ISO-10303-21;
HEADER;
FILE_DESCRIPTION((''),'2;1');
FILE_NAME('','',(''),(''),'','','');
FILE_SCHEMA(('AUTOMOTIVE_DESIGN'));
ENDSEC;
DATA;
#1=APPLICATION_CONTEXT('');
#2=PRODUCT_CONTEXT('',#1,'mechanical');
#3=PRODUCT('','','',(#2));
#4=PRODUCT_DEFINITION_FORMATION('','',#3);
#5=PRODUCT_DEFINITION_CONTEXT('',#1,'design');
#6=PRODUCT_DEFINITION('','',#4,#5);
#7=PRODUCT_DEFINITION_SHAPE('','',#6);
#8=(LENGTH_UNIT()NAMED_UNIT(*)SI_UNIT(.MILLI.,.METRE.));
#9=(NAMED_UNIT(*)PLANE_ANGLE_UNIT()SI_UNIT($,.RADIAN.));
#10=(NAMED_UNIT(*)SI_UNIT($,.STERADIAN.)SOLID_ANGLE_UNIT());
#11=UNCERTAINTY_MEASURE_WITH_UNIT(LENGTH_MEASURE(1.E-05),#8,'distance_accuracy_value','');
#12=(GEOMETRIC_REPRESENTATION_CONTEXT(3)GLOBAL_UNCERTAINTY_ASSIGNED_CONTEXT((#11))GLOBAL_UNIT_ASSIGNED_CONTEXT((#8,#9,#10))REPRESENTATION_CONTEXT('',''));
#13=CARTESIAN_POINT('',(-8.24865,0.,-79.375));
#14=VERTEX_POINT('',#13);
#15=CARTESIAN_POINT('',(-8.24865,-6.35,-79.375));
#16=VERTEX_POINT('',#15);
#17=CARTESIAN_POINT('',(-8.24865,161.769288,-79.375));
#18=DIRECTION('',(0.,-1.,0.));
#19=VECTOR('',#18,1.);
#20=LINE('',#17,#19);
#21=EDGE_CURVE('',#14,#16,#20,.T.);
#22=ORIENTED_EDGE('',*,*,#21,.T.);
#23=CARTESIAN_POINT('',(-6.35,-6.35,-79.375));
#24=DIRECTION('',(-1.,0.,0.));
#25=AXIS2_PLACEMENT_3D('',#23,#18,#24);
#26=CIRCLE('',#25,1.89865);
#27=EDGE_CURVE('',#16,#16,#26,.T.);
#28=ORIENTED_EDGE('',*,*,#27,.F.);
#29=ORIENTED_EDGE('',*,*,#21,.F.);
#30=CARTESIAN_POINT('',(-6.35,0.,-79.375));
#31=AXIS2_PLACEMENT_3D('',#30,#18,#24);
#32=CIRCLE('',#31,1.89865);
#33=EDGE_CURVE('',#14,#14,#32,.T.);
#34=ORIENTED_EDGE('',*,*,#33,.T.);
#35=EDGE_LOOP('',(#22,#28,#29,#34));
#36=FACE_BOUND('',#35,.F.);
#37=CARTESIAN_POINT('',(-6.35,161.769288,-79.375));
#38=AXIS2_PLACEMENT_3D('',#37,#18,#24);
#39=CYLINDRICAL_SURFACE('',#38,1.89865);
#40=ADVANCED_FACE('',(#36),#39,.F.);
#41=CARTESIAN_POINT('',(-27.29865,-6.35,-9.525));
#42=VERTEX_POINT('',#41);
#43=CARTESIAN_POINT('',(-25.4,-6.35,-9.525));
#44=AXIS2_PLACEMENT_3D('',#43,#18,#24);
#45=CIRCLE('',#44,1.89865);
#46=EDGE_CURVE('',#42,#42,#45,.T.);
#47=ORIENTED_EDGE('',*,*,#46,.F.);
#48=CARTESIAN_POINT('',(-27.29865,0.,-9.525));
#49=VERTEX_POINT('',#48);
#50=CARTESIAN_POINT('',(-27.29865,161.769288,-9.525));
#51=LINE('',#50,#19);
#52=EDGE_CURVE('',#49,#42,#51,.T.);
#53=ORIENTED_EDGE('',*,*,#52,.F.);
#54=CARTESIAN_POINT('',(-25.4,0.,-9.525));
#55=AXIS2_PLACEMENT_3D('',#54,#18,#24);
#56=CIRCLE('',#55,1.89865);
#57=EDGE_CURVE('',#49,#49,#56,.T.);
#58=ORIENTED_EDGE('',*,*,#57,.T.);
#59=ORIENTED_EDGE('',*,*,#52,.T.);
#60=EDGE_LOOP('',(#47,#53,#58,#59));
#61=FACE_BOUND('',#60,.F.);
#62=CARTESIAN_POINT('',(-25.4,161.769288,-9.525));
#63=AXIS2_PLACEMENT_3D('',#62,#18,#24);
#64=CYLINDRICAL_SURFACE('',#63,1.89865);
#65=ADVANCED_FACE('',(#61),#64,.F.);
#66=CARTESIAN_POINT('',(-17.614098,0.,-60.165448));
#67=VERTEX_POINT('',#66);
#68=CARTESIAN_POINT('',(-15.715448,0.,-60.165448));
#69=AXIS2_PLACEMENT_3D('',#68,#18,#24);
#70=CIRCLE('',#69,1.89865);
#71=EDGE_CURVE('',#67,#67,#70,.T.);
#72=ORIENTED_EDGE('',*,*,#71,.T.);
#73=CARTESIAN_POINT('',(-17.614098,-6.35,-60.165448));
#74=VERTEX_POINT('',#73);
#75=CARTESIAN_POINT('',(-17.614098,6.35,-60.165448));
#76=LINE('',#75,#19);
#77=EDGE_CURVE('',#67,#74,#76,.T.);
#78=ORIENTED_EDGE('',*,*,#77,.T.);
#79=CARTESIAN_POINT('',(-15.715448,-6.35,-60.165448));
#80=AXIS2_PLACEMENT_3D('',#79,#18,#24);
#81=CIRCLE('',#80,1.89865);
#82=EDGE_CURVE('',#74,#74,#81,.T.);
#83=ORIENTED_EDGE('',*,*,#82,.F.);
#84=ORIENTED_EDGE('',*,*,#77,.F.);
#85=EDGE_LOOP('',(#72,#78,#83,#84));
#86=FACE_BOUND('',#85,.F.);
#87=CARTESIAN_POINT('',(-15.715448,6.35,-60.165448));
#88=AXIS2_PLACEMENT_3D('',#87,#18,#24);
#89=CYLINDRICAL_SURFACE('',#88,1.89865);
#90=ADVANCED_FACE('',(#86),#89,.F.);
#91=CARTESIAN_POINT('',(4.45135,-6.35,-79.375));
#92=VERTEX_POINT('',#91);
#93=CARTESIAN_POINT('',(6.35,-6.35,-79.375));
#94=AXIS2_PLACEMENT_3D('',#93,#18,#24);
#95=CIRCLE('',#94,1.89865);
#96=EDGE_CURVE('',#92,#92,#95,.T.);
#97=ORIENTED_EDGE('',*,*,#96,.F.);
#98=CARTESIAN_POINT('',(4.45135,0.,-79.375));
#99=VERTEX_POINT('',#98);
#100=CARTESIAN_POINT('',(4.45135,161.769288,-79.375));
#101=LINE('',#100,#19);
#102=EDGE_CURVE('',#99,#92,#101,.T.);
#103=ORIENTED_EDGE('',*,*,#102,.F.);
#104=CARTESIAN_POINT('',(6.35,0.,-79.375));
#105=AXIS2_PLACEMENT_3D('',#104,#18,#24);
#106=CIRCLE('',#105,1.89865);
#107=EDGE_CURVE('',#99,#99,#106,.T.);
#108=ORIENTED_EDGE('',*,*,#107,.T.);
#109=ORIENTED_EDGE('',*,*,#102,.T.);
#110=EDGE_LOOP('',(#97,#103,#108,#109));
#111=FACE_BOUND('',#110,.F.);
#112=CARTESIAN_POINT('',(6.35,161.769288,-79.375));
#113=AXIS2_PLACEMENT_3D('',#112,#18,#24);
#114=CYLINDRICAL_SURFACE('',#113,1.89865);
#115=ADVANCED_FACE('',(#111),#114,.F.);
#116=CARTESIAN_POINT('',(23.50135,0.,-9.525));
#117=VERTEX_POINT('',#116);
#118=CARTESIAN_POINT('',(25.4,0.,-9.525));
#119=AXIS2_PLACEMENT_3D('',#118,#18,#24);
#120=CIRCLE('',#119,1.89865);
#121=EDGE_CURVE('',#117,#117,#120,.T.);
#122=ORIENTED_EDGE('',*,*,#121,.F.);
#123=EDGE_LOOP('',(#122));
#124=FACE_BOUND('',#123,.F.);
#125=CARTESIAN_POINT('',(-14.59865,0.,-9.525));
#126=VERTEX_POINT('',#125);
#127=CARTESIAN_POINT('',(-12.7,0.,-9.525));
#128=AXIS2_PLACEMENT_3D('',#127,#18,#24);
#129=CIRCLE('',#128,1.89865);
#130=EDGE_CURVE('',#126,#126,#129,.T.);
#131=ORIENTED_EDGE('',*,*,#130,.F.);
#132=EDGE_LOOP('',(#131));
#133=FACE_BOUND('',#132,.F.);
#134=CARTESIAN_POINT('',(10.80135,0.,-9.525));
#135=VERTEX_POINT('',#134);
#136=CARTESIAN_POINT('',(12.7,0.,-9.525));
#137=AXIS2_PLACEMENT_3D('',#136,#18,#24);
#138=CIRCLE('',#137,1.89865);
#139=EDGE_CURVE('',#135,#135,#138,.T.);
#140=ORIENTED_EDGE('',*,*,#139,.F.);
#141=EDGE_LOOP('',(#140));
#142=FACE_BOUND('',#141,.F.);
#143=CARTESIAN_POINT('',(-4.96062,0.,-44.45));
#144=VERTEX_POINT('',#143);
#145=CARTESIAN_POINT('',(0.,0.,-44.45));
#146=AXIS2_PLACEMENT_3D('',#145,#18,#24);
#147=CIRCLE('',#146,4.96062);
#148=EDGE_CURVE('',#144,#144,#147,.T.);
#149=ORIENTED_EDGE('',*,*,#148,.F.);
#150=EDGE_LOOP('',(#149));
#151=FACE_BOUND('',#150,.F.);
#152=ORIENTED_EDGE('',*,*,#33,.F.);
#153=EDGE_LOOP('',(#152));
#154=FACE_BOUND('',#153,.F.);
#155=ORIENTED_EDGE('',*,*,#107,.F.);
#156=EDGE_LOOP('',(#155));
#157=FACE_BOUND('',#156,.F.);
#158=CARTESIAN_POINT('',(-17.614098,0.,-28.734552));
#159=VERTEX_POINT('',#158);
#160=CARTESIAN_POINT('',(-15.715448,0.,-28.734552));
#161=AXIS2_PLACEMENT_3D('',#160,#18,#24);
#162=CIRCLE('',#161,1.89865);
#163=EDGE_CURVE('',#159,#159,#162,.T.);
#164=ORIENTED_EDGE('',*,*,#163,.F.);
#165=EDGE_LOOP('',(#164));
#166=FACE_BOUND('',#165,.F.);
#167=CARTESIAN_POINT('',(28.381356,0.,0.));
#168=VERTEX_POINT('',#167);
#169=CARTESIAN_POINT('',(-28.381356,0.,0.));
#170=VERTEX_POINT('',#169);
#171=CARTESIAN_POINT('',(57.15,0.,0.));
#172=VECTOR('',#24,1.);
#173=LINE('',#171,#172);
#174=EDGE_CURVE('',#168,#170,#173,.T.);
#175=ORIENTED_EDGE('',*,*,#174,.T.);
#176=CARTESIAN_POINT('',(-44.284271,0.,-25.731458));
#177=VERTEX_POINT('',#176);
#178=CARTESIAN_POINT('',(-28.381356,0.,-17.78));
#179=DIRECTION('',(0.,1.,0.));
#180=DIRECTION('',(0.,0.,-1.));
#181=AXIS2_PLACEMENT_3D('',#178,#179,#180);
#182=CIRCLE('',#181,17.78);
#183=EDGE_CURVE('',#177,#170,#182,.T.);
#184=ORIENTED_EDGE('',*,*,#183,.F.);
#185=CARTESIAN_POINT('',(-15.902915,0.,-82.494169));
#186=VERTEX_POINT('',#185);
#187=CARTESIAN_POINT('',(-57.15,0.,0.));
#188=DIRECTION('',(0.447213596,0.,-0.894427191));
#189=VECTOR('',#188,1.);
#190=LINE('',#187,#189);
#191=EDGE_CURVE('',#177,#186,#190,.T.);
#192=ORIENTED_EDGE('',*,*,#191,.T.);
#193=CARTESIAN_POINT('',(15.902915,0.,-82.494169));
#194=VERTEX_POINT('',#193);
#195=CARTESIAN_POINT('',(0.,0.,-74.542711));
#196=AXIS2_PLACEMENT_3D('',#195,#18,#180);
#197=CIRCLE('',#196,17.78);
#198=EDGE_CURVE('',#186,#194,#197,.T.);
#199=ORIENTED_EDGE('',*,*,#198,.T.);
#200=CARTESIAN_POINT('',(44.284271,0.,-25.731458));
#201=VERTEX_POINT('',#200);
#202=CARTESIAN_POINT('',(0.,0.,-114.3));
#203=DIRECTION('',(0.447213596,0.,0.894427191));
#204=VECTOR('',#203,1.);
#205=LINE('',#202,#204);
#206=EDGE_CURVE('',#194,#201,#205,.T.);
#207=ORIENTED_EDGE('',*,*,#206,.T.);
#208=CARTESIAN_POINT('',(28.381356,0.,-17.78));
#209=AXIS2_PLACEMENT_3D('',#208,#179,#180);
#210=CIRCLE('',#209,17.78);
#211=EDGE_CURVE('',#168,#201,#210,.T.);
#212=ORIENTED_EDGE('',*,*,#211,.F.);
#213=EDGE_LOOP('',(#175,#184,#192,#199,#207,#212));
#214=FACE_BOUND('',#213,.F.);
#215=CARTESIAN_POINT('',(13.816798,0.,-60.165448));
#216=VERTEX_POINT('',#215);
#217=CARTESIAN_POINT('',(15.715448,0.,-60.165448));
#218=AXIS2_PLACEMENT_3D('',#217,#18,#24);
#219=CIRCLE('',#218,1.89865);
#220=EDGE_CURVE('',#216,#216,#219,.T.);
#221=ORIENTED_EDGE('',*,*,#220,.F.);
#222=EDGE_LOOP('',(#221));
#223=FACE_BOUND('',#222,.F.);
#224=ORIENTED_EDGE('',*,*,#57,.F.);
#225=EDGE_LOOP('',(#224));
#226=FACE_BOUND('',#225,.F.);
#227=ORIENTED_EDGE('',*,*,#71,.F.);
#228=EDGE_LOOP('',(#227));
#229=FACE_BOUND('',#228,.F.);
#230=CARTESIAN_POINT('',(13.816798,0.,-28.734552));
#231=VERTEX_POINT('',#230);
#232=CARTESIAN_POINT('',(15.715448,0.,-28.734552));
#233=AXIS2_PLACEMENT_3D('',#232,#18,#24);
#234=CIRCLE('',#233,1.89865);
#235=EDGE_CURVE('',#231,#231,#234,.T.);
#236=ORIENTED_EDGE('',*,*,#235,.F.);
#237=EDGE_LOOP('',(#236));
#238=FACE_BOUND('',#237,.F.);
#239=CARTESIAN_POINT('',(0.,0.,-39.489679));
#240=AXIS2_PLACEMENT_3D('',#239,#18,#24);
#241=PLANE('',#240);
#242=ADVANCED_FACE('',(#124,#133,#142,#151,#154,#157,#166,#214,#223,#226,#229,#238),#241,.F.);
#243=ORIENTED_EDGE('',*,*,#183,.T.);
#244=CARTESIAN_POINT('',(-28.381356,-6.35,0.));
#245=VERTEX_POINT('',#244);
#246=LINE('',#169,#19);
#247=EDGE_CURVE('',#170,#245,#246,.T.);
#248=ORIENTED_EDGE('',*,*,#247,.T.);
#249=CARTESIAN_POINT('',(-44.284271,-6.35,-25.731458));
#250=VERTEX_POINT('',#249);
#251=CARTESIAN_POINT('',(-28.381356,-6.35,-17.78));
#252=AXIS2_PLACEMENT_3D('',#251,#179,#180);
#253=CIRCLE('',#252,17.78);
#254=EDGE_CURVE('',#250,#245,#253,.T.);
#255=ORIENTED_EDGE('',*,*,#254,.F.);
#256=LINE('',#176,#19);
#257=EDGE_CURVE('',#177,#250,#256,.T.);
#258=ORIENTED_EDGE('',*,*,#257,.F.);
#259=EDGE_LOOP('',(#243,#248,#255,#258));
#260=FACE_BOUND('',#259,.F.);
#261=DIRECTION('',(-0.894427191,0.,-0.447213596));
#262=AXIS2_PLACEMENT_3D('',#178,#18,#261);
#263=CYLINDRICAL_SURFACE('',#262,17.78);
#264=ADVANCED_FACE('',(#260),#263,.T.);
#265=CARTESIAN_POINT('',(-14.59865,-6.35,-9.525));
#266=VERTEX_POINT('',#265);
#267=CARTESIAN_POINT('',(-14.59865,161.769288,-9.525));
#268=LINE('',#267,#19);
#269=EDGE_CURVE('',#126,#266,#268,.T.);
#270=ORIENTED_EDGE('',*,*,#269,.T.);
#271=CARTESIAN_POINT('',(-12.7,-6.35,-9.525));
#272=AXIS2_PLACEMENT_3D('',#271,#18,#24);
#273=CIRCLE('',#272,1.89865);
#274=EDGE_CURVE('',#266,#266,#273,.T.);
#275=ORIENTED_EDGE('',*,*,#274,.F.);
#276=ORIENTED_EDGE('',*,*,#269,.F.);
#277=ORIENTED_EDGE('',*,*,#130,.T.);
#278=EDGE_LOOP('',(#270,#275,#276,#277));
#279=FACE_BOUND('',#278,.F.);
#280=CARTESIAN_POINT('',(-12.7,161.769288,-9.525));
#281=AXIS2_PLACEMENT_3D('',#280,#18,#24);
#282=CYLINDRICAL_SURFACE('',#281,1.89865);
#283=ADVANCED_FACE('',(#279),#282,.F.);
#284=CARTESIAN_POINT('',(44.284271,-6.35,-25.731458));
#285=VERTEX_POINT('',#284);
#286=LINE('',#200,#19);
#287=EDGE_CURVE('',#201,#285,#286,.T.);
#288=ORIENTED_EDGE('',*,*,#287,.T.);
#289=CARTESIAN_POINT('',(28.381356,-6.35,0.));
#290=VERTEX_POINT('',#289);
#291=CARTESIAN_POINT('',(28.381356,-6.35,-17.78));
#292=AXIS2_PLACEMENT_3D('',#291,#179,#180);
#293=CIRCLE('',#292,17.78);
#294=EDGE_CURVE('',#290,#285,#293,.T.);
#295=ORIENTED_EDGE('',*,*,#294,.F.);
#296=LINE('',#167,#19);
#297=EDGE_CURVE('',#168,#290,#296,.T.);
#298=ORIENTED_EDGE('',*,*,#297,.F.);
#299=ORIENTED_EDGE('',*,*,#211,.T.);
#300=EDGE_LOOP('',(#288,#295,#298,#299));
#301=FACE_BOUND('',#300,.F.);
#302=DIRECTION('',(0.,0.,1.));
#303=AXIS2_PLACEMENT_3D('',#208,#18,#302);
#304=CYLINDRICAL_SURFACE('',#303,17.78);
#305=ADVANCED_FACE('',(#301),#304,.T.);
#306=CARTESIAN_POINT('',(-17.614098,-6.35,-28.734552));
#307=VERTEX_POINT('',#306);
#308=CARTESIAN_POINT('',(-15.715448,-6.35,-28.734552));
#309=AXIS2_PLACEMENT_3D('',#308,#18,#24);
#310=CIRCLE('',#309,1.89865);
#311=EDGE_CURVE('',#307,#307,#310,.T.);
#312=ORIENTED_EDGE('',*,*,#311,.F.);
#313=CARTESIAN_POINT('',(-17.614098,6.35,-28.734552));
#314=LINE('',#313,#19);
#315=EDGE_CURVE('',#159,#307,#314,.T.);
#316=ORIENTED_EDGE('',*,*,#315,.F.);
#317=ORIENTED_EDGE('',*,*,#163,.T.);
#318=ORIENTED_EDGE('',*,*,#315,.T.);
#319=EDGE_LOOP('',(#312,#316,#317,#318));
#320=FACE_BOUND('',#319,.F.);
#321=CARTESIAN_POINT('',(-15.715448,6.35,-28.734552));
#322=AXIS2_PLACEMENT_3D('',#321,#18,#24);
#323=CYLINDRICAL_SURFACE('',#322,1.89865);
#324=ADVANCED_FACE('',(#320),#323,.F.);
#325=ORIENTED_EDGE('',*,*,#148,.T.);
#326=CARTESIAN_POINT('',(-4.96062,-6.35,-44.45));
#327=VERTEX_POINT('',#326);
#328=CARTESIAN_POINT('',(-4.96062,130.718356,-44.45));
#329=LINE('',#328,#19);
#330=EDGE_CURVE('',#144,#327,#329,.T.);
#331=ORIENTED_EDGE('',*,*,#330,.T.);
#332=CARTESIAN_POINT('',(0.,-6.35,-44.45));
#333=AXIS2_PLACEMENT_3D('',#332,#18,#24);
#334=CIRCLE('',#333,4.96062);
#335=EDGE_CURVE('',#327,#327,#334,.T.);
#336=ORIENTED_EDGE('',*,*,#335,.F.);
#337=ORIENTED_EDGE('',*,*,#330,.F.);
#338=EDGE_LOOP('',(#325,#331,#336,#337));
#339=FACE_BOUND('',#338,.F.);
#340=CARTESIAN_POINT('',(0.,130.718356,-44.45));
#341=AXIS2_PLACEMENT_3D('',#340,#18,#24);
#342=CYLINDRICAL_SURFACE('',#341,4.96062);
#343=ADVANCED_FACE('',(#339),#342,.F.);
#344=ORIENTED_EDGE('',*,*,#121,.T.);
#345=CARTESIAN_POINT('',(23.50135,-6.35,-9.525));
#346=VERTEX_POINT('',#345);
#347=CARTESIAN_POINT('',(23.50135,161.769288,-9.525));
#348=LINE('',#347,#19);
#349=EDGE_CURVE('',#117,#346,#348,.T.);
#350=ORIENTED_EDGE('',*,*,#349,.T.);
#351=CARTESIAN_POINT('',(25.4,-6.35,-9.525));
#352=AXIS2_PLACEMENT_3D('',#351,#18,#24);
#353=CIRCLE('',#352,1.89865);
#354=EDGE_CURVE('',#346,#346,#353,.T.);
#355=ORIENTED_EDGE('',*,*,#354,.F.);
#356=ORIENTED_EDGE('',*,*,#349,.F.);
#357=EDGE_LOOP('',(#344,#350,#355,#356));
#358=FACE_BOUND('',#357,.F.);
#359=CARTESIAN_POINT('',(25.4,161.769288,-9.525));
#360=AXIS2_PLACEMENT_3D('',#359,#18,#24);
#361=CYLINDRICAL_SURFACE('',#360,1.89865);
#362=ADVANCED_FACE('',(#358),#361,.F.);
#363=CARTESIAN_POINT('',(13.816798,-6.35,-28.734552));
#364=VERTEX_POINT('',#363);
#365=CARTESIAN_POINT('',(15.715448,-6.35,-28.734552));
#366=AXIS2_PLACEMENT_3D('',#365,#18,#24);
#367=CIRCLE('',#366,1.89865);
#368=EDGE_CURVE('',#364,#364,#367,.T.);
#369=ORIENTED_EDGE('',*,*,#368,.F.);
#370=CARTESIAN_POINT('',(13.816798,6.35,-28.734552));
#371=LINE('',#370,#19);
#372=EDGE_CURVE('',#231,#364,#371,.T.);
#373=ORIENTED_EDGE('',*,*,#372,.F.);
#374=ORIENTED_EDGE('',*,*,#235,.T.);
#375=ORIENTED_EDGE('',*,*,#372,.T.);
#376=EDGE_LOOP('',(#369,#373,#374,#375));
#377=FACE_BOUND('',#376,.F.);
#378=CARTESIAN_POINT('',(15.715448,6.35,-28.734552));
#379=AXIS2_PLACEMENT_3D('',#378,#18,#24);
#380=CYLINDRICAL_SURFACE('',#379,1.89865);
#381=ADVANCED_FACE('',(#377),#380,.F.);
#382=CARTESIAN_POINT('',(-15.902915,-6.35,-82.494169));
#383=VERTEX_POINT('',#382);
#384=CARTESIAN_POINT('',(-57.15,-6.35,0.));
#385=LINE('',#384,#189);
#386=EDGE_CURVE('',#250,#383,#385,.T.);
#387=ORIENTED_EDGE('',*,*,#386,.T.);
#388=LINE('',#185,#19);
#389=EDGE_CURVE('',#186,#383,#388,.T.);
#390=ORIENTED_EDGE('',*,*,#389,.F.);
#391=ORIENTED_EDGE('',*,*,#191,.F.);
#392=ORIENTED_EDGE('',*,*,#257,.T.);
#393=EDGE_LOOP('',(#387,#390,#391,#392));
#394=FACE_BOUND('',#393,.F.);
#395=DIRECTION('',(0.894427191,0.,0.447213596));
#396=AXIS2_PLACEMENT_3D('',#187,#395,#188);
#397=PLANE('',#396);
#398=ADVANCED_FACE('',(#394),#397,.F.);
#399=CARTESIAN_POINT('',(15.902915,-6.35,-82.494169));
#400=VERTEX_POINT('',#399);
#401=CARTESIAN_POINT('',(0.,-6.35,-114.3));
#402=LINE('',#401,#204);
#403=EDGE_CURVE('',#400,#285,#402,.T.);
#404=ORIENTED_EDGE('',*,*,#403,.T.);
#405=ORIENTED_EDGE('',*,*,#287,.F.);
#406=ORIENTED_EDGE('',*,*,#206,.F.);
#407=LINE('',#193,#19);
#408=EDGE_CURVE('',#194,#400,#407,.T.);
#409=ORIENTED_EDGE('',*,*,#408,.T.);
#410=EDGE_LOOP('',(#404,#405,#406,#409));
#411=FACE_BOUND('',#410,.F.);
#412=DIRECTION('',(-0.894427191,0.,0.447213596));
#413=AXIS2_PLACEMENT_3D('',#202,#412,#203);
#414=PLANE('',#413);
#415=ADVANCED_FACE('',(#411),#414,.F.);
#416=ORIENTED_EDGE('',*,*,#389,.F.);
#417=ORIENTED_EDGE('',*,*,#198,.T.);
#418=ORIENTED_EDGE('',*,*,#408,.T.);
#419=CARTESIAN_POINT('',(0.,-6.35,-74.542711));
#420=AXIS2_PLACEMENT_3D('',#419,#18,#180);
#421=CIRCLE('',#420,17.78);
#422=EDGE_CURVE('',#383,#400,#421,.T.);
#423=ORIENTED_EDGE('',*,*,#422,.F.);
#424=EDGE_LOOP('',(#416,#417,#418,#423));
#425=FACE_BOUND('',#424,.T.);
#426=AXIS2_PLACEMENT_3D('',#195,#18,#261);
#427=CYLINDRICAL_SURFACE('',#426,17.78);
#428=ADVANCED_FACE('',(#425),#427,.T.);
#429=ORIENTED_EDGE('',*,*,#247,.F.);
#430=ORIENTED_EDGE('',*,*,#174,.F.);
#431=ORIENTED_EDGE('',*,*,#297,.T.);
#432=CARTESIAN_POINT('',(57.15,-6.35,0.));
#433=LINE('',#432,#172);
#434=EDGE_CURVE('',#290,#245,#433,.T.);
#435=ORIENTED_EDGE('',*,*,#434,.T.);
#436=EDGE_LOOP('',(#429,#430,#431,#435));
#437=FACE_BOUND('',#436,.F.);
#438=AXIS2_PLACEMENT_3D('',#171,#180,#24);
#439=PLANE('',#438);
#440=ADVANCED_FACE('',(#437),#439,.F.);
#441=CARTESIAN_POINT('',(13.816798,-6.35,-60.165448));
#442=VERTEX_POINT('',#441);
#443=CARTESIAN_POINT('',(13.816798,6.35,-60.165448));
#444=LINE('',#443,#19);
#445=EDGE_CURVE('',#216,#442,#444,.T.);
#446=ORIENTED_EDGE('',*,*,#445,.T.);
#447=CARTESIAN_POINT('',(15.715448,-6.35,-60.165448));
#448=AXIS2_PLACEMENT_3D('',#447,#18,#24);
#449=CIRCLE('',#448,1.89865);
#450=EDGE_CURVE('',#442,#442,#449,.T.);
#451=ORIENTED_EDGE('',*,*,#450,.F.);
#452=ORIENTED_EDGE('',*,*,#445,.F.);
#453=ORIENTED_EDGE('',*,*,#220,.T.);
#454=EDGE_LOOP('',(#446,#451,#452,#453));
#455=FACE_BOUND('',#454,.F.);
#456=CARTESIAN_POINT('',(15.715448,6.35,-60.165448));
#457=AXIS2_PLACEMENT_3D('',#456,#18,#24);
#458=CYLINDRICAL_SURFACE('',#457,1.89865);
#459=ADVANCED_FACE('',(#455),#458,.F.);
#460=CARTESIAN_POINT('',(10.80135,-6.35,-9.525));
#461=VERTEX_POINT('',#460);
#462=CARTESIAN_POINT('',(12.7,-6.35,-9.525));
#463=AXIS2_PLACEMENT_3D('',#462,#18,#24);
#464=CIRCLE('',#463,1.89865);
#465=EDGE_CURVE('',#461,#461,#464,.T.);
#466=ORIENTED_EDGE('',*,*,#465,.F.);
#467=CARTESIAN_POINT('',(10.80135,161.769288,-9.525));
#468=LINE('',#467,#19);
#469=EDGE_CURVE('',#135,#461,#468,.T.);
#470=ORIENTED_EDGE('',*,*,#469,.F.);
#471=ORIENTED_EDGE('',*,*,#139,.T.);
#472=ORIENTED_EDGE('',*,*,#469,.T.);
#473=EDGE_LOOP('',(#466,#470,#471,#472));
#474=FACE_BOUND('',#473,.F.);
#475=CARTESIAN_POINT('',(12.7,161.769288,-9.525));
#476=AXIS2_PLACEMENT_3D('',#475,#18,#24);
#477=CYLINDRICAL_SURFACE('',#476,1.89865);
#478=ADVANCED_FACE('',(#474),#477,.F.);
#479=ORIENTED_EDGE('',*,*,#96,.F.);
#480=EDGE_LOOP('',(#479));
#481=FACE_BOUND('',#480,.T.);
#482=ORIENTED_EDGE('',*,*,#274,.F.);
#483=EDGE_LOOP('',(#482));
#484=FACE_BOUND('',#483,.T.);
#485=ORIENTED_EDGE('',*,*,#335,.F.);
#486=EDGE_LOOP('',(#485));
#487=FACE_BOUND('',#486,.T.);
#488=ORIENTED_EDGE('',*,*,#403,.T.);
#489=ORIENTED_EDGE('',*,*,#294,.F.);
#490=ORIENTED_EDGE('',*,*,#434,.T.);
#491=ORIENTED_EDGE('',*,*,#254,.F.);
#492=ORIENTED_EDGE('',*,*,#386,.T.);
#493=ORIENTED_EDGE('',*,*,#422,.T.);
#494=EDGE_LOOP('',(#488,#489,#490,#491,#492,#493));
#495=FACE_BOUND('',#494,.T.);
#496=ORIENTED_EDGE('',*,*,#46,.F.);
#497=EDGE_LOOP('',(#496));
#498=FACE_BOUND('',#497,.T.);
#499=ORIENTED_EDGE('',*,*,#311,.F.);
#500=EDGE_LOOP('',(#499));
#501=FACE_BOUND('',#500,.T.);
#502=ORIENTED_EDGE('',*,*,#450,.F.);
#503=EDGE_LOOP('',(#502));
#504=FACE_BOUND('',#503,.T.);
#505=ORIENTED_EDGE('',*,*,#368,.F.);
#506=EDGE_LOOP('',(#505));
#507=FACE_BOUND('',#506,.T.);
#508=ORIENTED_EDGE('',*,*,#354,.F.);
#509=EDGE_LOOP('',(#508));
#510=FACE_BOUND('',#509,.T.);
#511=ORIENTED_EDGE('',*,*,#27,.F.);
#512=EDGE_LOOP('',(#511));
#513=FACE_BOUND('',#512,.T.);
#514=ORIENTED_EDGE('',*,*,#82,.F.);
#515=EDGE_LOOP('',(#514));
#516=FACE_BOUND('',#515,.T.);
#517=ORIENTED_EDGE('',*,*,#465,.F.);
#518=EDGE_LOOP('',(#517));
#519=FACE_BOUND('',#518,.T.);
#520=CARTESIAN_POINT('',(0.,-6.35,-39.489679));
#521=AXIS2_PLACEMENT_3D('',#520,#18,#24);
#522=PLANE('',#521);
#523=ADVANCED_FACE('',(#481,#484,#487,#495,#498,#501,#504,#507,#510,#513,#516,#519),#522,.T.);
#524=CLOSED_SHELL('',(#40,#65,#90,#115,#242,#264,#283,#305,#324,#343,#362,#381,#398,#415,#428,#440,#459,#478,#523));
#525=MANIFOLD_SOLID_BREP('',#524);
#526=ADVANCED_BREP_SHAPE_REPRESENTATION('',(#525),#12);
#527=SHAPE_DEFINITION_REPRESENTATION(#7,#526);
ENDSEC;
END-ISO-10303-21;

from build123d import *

# Parameters (mm, degrees)
BOSS_EXTRUDE1_DEPTH       = 6.35
F_6_CLEARANCE_HOLE1_D     = 3.7973
FILLET1_R                 = 17.78
F_7_16_20_TAPPED_HOLE1_D  = 9.92124
F_6_CLEARANCE_HOLE2_D     = 3.7973
F_6_CLEARANCE_HOLE2_DEPTH = 6.35


with BuildPart() as part:
    # Sketch1 → Boss-Extrude1 (new body)
    with BuildSketch(Plane(origin=(0, 0, 0), x_dir=(1, 0, 0), z_dir=(0, 1, 0))):
        Polygon((-57.15, 0), (0, 114.3), (57.15, 0), align=None)
    extrude(amount=-BOSS_EXTRUDE1_DEPTH)

    # #6 Clearance Hole1 (through all)
    with Locations(Plane(origin=(0, 0, 0), x_dir=(1, 0, 0), z_dir=(0, 1, 0))):
        with Locations((25.4, 9.525), (12.7, 9.525), (-6.35, 79.375), (6.35, 79.375), (-25.4, 9.525), (-12.7, 9.525)):
            Hole(F_6_CLEARANCE_HOLE1_D / 2)

    # Fillet1
    fillet1_edges = [part.edges().sort_by_distance(p)[0] for p in [
        (-57.15, -3.175, 0),
        (0, -3.175, -114.3),
        (57.15, -3.175, 0),
    ]]
    fillet(fillet1_edges, radius=FILLET1_R)

    # 7/16-20 Tapped Hole1 (through all)
    with Locations(Plane(origin=(0, 0, 0), x_dir=(1, 0, 0), z_dir=(0, 1, 0))):
        with Locations((0, 44.45)):
            Hole(F_7_16_20_TAPPED_HOLE1_D / 2)

    # #6 Clearance Hole2
    with Locations(Plane(origin=(0, 0, 0), x_dir=(1, 0, 0), z_dir=(0, 1, 0))):
        with Locations((-15.715448212, 60.165448212), (15.715448212, 28.734551788), (-15.715448212, 28.734551788), (15.715448212, 60.165448212)):
            Hole(F_6_CLEARANCE_HOLE2_D / 2, depth=F_6_CLEARANCE_HOLE2_DEPTH)


solid = part.part
